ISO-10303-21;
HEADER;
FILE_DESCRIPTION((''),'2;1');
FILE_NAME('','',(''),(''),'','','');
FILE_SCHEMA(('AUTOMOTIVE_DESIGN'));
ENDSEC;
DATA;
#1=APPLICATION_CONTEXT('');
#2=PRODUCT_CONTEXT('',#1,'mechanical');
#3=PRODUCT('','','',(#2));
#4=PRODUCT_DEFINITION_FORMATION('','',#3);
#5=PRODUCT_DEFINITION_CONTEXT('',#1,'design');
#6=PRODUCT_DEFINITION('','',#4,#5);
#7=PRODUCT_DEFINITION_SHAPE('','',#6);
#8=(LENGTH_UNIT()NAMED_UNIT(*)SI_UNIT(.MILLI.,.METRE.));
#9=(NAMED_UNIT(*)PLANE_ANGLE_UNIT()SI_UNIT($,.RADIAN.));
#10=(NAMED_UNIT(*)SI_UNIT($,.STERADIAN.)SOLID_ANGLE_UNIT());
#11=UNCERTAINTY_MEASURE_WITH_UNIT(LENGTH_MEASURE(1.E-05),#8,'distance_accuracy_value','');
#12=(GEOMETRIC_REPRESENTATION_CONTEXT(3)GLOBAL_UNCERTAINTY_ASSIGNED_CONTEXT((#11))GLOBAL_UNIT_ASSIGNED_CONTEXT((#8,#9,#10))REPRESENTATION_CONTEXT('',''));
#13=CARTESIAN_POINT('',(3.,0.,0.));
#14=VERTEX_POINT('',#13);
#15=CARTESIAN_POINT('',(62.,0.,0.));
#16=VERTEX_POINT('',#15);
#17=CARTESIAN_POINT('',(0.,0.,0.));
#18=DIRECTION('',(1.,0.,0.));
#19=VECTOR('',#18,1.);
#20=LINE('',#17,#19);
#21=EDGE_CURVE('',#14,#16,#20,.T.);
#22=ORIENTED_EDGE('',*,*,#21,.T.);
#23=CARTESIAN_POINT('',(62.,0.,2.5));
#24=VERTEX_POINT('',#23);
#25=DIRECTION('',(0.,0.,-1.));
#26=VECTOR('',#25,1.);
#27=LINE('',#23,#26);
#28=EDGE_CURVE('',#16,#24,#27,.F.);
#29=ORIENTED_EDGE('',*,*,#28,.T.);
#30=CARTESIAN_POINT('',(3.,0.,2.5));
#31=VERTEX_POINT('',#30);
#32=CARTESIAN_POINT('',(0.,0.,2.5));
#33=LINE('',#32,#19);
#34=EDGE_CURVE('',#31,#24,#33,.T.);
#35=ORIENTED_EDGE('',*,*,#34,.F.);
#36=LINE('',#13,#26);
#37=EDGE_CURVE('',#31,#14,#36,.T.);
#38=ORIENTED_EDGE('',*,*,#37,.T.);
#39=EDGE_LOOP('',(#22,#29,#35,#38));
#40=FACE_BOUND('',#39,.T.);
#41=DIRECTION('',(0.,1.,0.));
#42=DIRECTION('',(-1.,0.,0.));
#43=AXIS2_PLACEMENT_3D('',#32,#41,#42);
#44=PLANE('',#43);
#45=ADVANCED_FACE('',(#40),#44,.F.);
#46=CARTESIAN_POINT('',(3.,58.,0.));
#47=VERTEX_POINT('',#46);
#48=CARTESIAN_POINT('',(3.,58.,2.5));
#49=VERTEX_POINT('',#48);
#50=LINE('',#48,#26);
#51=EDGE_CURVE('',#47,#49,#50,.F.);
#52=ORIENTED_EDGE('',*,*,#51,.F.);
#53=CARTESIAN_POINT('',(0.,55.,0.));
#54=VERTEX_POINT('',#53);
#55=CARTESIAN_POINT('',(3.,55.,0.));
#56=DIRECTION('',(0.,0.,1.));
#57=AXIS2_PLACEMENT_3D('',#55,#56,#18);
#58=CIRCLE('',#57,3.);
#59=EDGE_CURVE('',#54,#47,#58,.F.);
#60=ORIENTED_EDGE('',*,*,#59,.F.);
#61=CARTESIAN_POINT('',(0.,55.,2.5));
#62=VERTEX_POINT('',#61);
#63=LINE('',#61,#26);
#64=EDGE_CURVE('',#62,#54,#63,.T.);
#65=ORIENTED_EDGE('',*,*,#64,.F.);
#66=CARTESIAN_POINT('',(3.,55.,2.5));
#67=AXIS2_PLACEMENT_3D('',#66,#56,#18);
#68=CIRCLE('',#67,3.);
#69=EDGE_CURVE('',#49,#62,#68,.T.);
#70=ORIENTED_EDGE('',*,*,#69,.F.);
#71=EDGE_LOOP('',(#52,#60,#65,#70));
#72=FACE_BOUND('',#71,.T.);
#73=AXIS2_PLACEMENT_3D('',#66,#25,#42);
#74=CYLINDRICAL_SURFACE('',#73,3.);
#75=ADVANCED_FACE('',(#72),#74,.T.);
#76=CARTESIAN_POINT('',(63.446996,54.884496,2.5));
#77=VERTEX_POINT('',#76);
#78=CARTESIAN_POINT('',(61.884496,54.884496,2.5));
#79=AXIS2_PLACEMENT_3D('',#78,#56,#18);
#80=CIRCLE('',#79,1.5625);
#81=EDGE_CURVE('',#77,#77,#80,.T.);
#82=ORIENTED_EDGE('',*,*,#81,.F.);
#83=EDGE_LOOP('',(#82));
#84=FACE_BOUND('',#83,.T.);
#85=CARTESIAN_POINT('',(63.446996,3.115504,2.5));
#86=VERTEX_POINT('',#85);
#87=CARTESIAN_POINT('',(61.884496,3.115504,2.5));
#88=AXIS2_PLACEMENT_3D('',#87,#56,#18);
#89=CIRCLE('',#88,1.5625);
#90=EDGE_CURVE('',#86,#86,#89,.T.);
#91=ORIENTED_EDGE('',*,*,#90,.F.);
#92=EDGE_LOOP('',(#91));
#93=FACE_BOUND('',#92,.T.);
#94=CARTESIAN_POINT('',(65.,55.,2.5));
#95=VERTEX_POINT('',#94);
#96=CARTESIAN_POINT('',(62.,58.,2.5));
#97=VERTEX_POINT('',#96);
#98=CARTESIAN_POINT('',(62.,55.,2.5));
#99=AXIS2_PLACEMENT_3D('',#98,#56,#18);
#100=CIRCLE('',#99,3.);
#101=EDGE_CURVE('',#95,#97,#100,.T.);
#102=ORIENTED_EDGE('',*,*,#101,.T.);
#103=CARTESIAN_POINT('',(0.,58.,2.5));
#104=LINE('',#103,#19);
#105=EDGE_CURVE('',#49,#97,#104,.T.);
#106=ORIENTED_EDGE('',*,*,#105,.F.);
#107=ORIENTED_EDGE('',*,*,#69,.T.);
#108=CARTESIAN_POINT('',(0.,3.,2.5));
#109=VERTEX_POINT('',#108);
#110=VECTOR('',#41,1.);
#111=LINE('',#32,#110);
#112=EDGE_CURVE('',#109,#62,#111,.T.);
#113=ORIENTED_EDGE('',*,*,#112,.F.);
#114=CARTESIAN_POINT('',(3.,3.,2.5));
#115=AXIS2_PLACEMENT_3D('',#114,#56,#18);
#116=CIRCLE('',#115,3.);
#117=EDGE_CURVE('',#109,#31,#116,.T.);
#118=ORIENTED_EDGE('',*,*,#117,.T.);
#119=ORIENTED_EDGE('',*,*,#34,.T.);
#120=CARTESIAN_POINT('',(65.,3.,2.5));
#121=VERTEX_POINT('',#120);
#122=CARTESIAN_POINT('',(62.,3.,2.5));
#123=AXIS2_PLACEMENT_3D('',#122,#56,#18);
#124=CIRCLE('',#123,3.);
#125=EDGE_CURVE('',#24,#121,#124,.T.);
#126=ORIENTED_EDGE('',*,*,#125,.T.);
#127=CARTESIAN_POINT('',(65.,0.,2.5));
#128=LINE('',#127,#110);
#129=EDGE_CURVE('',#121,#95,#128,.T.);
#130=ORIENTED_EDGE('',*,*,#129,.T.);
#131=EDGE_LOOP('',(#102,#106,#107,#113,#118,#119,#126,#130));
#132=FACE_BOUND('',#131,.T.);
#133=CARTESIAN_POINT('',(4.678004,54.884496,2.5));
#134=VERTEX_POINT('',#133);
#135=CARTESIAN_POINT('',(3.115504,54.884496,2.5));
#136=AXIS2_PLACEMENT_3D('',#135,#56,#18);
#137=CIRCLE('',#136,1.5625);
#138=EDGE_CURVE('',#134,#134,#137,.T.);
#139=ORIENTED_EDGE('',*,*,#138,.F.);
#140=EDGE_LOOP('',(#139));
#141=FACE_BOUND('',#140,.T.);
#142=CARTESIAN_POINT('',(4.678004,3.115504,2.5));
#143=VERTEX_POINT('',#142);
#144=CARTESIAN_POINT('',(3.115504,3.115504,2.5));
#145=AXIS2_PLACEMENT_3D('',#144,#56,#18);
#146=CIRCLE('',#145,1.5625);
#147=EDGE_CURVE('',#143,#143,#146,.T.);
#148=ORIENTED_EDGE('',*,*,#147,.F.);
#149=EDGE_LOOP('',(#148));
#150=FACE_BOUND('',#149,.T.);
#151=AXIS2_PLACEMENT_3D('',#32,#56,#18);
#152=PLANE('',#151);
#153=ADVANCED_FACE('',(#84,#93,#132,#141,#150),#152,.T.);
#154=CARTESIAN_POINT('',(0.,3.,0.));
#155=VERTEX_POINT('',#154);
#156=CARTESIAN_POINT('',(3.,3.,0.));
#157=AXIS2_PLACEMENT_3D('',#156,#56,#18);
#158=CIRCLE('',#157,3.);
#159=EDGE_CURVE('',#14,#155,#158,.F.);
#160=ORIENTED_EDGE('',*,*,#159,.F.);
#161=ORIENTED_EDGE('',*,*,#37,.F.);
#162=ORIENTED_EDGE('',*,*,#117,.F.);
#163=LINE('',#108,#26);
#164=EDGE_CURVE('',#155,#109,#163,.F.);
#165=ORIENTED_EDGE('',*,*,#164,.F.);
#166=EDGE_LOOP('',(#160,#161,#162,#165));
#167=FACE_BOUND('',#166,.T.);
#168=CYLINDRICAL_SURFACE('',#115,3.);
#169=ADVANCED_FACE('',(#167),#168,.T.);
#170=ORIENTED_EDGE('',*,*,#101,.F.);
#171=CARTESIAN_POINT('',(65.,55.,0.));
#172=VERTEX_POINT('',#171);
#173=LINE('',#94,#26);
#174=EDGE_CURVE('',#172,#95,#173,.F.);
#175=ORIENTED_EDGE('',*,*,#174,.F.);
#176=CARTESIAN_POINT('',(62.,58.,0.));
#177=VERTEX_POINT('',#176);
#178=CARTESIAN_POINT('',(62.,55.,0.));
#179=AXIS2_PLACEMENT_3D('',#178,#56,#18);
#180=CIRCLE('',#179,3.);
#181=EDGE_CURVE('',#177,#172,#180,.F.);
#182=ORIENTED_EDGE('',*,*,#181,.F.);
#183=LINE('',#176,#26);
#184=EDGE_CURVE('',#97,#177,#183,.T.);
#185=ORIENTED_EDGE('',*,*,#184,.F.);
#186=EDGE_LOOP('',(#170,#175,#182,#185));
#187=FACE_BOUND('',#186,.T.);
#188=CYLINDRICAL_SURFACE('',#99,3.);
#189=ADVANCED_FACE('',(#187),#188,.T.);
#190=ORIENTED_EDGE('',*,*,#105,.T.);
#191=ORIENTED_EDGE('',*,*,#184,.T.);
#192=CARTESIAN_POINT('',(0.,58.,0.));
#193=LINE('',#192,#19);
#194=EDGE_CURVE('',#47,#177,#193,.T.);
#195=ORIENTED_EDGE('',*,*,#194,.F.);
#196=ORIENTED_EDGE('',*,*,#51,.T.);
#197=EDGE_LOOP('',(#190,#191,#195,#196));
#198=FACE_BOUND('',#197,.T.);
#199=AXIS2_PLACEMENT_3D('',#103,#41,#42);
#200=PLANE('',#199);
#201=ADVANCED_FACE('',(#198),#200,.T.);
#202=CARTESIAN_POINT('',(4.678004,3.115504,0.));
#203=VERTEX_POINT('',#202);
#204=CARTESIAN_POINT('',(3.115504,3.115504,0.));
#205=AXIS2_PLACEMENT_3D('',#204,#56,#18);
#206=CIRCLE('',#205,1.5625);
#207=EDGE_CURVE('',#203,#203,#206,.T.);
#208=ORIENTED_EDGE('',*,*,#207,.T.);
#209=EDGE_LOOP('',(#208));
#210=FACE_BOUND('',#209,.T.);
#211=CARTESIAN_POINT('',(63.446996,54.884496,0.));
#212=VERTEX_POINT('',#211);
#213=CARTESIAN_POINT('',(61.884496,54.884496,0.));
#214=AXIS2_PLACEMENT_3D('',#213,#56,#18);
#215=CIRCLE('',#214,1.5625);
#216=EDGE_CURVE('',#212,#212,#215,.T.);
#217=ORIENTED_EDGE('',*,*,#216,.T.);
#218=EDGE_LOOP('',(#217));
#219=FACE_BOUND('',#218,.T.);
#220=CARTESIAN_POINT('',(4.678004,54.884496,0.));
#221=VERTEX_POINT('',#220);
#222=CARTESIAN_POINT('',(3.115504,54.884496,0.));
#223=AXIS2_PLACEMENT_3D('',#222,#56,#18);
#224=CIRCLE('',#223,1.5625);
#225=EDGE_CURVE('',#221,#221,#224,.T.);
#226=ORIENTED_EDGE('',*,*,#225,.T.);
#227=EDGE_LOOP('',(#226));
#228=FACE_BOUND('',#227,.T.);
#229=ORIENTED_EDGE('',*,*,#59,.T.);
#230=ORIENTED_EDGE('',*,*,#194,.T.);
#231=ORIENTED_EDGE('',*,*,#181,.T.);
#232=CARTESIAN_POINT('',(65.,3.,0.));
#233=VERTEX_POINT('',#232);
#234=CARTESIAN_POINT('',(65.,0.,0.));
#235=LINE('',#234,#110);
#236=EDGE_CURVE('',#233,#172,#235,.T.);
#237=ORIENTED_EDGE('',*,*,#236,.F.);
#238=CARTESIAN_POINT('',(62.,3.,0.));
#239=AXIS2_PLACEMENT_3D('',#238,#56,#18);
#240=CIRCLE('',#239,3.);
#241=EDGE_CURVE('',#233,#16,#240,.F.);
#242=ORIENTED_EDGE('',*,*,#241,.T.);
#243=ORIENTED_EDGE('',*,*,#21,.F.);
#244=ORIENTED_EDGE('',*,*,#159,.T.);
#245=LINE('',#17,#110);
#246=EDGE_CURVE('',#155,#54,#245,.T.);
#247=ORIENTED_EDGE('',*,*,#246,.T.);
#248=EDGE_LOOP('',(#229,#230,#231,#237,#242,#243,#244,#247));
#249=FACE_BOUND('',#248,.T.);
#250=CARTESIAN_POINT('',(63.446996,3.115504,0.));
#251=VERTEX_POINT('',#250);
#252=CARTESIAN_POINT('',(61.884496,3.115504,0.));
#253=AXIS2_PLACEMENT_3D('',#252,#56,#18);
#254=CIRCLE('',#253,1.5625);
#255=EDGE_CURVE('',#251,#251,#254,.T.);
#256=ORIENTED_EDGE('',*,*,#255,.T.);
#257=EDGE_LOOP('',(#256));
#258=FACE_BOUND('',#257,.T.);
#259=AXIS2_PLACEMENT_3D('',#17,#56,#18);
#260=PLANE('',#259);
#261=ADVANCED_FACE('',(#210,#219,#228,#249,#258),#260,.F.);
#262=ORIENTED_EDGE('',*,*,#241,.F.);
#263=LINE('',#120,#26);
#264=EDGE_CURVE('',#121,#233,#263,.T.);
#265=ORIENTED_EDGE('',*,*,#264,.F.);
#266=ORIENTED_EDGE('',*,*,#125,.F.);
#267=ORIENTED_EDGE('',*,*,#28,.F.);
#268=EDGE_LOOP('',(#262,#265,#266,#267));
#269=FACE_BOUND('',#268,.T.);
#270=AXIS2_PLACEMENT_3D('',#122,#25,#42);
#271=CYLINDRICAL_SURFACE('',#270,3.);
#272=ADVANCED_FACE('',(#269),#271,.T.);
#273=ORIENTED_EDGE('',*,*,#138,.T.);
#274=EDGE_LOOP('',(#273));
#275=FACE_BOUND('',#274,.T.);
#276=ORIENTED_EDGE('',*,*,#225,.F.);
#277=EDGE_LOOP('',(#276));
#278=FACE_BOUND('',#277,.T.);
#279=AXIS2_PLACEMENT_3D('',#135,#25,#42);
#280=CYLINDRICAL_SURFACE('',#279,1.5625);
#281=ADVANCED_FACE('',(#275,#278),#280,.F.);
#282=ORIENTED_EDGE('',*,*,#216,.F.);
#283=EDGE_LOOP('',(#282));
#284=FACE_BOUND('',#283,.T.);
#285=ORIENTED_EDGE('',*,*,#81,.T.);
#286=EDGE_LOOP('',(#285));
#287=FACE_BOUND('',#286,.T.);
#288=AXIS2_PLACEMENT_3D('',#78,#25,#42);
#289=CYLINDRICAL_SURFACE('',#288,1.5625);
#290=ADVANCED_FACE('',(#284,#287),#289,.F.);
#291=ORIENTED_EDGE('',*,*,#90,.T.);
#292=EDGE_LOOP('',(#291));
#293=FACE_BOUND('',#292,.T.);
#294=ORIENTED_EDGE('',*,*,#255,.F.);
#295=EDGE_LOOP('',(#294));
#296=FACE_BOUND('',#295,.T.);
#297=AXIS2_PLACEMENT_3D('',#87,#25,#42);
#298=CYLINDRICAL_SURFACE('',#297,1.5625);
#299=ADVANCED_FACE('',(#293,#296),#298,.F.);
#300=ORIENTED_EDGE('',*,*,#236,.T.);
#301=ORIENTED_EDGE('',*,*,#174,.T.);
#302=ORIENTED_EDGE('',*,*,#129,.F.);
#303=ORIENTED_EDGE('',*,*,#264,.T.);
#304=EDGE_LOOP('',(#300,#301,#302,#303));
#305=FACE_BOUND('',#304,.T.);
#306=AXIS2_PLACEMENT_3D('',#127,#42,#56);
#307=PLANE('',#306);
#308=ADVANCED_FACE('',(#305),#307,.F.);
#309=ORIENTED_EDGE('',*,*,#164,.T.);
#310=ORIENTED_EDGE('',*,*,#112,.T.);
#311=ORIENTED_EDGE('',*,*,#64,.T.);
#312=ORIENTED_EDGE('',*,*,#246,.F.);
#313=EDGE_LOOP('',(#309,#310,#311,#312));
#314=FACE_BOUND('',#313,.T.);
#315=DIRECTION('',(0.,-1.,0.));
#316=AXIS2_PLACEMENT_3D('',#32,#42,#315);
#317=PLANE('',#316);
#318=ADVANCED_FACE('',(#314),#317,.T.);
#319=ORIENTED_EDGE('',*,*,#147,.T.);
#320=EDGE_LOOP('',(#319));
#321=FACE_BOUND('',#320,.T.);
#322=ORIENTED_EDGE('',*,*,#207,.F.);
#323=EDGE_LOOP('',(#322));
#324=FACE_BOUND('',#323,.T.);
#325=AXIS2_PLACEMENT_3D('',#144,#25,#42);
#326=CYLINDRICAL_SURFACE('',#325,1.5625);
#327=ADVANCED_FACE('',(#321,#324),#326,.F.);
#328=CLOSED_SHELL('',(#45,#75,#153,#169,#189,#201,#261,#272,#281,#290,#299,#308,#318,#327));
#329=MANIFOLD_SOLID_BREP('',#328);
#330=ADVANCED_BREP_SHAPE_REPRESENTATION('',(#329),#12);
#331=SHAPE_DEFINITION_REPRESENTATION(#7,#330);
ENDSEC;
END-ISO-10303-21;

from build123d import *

# Parameters (mm, degrees)
BASE_SKETCH_W       = 65
BASE_SKETCH_H       = 58
BOSS_EXTRUDE2_DEPTH = 2.5
MOUNTING_HOLES_R    = 1.56250005
MOUNTING_HOLES_R_2  = 1.5625
CUT_EXTRUDE5_DEPTH  = 2.5
FILLET1_R           = 3


with BuildPart() as part:
    # Base Sketch → Boss-Extrude2 (new body)
    with BuildSketch(Plane.XY):
        with Locations((32.5, 29)):
            Rectangle(BASE_SKETCH_W, BASE_SKETCH_H)
    extrude(amount=BOSS_EXTRUDE2_DEPTH)

    # Mounting Holes → Cut-Extrude5 (cut)
    with BuildSketch(Plane.XY):
        with Locations((3.115503651, 54.884496349)):
            Circle(MOUNTING_HOLES_R)
        with Locations((61.884496349, 54.884496349)):
            Circle(MOUNTING_HOLES_R)
        with Locations((61.884496349, 3.115503651)):
            Circle(MOUNTING_HOLES_R)
        with Locations((3.115503651, 3.115503651)):
            Circle(MOUNTING_HOLES_R_2)
    extrude(amount=CUT_EXTRUDE5_DEPTH, mode=Mode.SUBTRACT)

    # Fillet1
    fillet1_edges = [part.edges().sort_by_distance(p)[0] for p in [
        (0, 0, 1.25),
        (0, 58, 1.25),
        (65, 58, 1.25),
        (65, 0, 1.25),
    ]]
    fillet(fillet1_edges, radius=FILLET1_R)


solid = part.part
